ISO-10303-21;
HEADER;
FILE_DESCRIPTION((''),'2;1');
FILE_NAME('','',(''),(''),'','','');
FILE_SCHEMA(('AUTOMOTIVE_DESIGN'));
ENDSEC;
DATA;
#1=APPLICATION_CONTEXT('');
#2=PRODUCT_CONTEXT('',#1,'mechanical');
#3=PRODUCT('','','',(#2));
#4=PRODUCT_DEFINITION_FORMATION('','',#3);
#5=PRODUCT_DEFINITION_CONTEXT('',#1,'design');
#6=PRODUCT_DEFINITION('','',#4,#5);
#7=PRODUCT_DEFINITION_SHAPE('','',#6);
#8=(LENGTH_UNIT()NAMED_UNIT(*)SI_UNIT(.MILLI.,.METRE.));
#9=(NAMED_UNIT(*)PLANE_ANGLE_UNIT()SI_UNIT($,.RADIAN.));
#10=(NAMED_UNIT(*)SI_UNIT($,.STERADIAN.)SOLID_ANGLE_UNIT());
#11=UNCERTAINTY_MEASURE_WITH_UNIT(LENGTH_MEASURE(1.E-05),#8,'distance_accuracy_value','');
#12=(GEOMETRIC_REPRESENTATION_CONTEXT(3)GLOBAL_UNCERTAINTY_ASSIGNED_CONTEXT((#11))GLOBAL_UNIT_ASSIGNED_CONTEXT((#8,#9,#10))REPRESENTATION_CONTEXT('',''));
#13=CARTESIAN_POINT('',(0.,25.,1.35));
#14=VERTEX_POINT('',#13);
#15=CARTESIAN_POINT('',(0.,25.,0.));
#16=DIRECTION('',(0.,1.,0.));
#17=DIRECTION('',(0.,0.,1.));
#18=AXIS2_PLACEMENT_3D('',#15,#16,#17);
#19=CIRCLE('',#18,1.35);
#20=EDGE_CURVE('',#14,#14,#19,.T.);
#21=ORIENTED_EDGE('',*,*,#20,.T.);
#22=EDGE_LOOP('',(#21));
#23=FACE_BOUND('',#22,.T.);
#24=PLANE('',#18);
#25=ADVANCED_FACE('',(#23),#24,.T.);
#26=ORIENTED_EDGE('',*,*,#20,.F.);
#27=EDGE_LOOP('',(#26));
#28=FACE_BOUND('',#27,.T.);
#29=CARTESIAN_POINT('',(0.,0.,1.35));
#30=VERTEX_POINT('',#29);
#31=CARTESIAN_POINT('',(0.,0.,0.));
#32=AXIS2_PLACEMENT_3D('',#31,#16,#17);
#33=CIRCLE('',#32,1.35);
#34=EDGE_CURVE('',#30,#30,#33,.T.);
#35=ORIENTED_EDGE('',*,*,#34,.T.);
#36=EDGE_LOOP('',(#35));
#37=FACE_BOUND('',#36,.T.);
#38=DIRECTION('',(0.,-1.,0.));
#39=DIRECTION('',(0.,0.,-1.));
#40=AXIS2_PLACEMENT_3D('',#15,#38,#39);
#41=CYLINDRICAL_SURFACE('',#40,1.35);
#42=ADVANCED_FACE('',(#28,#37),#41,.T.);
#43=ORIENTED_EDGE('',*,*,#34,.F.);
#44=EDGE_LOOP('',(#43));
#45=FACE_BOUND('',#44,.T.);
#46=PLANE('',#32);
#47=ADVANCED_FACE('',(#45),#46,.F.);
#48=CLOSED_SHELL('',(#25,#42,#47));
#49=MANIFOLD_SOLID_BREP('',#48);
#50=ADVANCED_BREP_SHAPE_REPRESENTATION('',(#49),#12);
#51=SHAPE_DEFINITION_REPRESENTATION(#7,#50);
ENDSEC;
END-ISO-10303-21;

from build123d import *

# Parameters (mm, degrees)
SKETCH1_R           = 1.35
BOSS_EXTRUDE1_DEPTH = 25


with BuildPart() as part:
    # Sketch1 → Boss-Extrude1 (new body)
    with BuildSketch(Plane(origin=(0, 0, 0), x_dir=(1, 0, 0), z_dir=(0, 1, 0))):
        Circle(SKETCH1_R)
    extrude(amount=BOSS_EXTRUDE1_DEPTH)


solid = part.part
